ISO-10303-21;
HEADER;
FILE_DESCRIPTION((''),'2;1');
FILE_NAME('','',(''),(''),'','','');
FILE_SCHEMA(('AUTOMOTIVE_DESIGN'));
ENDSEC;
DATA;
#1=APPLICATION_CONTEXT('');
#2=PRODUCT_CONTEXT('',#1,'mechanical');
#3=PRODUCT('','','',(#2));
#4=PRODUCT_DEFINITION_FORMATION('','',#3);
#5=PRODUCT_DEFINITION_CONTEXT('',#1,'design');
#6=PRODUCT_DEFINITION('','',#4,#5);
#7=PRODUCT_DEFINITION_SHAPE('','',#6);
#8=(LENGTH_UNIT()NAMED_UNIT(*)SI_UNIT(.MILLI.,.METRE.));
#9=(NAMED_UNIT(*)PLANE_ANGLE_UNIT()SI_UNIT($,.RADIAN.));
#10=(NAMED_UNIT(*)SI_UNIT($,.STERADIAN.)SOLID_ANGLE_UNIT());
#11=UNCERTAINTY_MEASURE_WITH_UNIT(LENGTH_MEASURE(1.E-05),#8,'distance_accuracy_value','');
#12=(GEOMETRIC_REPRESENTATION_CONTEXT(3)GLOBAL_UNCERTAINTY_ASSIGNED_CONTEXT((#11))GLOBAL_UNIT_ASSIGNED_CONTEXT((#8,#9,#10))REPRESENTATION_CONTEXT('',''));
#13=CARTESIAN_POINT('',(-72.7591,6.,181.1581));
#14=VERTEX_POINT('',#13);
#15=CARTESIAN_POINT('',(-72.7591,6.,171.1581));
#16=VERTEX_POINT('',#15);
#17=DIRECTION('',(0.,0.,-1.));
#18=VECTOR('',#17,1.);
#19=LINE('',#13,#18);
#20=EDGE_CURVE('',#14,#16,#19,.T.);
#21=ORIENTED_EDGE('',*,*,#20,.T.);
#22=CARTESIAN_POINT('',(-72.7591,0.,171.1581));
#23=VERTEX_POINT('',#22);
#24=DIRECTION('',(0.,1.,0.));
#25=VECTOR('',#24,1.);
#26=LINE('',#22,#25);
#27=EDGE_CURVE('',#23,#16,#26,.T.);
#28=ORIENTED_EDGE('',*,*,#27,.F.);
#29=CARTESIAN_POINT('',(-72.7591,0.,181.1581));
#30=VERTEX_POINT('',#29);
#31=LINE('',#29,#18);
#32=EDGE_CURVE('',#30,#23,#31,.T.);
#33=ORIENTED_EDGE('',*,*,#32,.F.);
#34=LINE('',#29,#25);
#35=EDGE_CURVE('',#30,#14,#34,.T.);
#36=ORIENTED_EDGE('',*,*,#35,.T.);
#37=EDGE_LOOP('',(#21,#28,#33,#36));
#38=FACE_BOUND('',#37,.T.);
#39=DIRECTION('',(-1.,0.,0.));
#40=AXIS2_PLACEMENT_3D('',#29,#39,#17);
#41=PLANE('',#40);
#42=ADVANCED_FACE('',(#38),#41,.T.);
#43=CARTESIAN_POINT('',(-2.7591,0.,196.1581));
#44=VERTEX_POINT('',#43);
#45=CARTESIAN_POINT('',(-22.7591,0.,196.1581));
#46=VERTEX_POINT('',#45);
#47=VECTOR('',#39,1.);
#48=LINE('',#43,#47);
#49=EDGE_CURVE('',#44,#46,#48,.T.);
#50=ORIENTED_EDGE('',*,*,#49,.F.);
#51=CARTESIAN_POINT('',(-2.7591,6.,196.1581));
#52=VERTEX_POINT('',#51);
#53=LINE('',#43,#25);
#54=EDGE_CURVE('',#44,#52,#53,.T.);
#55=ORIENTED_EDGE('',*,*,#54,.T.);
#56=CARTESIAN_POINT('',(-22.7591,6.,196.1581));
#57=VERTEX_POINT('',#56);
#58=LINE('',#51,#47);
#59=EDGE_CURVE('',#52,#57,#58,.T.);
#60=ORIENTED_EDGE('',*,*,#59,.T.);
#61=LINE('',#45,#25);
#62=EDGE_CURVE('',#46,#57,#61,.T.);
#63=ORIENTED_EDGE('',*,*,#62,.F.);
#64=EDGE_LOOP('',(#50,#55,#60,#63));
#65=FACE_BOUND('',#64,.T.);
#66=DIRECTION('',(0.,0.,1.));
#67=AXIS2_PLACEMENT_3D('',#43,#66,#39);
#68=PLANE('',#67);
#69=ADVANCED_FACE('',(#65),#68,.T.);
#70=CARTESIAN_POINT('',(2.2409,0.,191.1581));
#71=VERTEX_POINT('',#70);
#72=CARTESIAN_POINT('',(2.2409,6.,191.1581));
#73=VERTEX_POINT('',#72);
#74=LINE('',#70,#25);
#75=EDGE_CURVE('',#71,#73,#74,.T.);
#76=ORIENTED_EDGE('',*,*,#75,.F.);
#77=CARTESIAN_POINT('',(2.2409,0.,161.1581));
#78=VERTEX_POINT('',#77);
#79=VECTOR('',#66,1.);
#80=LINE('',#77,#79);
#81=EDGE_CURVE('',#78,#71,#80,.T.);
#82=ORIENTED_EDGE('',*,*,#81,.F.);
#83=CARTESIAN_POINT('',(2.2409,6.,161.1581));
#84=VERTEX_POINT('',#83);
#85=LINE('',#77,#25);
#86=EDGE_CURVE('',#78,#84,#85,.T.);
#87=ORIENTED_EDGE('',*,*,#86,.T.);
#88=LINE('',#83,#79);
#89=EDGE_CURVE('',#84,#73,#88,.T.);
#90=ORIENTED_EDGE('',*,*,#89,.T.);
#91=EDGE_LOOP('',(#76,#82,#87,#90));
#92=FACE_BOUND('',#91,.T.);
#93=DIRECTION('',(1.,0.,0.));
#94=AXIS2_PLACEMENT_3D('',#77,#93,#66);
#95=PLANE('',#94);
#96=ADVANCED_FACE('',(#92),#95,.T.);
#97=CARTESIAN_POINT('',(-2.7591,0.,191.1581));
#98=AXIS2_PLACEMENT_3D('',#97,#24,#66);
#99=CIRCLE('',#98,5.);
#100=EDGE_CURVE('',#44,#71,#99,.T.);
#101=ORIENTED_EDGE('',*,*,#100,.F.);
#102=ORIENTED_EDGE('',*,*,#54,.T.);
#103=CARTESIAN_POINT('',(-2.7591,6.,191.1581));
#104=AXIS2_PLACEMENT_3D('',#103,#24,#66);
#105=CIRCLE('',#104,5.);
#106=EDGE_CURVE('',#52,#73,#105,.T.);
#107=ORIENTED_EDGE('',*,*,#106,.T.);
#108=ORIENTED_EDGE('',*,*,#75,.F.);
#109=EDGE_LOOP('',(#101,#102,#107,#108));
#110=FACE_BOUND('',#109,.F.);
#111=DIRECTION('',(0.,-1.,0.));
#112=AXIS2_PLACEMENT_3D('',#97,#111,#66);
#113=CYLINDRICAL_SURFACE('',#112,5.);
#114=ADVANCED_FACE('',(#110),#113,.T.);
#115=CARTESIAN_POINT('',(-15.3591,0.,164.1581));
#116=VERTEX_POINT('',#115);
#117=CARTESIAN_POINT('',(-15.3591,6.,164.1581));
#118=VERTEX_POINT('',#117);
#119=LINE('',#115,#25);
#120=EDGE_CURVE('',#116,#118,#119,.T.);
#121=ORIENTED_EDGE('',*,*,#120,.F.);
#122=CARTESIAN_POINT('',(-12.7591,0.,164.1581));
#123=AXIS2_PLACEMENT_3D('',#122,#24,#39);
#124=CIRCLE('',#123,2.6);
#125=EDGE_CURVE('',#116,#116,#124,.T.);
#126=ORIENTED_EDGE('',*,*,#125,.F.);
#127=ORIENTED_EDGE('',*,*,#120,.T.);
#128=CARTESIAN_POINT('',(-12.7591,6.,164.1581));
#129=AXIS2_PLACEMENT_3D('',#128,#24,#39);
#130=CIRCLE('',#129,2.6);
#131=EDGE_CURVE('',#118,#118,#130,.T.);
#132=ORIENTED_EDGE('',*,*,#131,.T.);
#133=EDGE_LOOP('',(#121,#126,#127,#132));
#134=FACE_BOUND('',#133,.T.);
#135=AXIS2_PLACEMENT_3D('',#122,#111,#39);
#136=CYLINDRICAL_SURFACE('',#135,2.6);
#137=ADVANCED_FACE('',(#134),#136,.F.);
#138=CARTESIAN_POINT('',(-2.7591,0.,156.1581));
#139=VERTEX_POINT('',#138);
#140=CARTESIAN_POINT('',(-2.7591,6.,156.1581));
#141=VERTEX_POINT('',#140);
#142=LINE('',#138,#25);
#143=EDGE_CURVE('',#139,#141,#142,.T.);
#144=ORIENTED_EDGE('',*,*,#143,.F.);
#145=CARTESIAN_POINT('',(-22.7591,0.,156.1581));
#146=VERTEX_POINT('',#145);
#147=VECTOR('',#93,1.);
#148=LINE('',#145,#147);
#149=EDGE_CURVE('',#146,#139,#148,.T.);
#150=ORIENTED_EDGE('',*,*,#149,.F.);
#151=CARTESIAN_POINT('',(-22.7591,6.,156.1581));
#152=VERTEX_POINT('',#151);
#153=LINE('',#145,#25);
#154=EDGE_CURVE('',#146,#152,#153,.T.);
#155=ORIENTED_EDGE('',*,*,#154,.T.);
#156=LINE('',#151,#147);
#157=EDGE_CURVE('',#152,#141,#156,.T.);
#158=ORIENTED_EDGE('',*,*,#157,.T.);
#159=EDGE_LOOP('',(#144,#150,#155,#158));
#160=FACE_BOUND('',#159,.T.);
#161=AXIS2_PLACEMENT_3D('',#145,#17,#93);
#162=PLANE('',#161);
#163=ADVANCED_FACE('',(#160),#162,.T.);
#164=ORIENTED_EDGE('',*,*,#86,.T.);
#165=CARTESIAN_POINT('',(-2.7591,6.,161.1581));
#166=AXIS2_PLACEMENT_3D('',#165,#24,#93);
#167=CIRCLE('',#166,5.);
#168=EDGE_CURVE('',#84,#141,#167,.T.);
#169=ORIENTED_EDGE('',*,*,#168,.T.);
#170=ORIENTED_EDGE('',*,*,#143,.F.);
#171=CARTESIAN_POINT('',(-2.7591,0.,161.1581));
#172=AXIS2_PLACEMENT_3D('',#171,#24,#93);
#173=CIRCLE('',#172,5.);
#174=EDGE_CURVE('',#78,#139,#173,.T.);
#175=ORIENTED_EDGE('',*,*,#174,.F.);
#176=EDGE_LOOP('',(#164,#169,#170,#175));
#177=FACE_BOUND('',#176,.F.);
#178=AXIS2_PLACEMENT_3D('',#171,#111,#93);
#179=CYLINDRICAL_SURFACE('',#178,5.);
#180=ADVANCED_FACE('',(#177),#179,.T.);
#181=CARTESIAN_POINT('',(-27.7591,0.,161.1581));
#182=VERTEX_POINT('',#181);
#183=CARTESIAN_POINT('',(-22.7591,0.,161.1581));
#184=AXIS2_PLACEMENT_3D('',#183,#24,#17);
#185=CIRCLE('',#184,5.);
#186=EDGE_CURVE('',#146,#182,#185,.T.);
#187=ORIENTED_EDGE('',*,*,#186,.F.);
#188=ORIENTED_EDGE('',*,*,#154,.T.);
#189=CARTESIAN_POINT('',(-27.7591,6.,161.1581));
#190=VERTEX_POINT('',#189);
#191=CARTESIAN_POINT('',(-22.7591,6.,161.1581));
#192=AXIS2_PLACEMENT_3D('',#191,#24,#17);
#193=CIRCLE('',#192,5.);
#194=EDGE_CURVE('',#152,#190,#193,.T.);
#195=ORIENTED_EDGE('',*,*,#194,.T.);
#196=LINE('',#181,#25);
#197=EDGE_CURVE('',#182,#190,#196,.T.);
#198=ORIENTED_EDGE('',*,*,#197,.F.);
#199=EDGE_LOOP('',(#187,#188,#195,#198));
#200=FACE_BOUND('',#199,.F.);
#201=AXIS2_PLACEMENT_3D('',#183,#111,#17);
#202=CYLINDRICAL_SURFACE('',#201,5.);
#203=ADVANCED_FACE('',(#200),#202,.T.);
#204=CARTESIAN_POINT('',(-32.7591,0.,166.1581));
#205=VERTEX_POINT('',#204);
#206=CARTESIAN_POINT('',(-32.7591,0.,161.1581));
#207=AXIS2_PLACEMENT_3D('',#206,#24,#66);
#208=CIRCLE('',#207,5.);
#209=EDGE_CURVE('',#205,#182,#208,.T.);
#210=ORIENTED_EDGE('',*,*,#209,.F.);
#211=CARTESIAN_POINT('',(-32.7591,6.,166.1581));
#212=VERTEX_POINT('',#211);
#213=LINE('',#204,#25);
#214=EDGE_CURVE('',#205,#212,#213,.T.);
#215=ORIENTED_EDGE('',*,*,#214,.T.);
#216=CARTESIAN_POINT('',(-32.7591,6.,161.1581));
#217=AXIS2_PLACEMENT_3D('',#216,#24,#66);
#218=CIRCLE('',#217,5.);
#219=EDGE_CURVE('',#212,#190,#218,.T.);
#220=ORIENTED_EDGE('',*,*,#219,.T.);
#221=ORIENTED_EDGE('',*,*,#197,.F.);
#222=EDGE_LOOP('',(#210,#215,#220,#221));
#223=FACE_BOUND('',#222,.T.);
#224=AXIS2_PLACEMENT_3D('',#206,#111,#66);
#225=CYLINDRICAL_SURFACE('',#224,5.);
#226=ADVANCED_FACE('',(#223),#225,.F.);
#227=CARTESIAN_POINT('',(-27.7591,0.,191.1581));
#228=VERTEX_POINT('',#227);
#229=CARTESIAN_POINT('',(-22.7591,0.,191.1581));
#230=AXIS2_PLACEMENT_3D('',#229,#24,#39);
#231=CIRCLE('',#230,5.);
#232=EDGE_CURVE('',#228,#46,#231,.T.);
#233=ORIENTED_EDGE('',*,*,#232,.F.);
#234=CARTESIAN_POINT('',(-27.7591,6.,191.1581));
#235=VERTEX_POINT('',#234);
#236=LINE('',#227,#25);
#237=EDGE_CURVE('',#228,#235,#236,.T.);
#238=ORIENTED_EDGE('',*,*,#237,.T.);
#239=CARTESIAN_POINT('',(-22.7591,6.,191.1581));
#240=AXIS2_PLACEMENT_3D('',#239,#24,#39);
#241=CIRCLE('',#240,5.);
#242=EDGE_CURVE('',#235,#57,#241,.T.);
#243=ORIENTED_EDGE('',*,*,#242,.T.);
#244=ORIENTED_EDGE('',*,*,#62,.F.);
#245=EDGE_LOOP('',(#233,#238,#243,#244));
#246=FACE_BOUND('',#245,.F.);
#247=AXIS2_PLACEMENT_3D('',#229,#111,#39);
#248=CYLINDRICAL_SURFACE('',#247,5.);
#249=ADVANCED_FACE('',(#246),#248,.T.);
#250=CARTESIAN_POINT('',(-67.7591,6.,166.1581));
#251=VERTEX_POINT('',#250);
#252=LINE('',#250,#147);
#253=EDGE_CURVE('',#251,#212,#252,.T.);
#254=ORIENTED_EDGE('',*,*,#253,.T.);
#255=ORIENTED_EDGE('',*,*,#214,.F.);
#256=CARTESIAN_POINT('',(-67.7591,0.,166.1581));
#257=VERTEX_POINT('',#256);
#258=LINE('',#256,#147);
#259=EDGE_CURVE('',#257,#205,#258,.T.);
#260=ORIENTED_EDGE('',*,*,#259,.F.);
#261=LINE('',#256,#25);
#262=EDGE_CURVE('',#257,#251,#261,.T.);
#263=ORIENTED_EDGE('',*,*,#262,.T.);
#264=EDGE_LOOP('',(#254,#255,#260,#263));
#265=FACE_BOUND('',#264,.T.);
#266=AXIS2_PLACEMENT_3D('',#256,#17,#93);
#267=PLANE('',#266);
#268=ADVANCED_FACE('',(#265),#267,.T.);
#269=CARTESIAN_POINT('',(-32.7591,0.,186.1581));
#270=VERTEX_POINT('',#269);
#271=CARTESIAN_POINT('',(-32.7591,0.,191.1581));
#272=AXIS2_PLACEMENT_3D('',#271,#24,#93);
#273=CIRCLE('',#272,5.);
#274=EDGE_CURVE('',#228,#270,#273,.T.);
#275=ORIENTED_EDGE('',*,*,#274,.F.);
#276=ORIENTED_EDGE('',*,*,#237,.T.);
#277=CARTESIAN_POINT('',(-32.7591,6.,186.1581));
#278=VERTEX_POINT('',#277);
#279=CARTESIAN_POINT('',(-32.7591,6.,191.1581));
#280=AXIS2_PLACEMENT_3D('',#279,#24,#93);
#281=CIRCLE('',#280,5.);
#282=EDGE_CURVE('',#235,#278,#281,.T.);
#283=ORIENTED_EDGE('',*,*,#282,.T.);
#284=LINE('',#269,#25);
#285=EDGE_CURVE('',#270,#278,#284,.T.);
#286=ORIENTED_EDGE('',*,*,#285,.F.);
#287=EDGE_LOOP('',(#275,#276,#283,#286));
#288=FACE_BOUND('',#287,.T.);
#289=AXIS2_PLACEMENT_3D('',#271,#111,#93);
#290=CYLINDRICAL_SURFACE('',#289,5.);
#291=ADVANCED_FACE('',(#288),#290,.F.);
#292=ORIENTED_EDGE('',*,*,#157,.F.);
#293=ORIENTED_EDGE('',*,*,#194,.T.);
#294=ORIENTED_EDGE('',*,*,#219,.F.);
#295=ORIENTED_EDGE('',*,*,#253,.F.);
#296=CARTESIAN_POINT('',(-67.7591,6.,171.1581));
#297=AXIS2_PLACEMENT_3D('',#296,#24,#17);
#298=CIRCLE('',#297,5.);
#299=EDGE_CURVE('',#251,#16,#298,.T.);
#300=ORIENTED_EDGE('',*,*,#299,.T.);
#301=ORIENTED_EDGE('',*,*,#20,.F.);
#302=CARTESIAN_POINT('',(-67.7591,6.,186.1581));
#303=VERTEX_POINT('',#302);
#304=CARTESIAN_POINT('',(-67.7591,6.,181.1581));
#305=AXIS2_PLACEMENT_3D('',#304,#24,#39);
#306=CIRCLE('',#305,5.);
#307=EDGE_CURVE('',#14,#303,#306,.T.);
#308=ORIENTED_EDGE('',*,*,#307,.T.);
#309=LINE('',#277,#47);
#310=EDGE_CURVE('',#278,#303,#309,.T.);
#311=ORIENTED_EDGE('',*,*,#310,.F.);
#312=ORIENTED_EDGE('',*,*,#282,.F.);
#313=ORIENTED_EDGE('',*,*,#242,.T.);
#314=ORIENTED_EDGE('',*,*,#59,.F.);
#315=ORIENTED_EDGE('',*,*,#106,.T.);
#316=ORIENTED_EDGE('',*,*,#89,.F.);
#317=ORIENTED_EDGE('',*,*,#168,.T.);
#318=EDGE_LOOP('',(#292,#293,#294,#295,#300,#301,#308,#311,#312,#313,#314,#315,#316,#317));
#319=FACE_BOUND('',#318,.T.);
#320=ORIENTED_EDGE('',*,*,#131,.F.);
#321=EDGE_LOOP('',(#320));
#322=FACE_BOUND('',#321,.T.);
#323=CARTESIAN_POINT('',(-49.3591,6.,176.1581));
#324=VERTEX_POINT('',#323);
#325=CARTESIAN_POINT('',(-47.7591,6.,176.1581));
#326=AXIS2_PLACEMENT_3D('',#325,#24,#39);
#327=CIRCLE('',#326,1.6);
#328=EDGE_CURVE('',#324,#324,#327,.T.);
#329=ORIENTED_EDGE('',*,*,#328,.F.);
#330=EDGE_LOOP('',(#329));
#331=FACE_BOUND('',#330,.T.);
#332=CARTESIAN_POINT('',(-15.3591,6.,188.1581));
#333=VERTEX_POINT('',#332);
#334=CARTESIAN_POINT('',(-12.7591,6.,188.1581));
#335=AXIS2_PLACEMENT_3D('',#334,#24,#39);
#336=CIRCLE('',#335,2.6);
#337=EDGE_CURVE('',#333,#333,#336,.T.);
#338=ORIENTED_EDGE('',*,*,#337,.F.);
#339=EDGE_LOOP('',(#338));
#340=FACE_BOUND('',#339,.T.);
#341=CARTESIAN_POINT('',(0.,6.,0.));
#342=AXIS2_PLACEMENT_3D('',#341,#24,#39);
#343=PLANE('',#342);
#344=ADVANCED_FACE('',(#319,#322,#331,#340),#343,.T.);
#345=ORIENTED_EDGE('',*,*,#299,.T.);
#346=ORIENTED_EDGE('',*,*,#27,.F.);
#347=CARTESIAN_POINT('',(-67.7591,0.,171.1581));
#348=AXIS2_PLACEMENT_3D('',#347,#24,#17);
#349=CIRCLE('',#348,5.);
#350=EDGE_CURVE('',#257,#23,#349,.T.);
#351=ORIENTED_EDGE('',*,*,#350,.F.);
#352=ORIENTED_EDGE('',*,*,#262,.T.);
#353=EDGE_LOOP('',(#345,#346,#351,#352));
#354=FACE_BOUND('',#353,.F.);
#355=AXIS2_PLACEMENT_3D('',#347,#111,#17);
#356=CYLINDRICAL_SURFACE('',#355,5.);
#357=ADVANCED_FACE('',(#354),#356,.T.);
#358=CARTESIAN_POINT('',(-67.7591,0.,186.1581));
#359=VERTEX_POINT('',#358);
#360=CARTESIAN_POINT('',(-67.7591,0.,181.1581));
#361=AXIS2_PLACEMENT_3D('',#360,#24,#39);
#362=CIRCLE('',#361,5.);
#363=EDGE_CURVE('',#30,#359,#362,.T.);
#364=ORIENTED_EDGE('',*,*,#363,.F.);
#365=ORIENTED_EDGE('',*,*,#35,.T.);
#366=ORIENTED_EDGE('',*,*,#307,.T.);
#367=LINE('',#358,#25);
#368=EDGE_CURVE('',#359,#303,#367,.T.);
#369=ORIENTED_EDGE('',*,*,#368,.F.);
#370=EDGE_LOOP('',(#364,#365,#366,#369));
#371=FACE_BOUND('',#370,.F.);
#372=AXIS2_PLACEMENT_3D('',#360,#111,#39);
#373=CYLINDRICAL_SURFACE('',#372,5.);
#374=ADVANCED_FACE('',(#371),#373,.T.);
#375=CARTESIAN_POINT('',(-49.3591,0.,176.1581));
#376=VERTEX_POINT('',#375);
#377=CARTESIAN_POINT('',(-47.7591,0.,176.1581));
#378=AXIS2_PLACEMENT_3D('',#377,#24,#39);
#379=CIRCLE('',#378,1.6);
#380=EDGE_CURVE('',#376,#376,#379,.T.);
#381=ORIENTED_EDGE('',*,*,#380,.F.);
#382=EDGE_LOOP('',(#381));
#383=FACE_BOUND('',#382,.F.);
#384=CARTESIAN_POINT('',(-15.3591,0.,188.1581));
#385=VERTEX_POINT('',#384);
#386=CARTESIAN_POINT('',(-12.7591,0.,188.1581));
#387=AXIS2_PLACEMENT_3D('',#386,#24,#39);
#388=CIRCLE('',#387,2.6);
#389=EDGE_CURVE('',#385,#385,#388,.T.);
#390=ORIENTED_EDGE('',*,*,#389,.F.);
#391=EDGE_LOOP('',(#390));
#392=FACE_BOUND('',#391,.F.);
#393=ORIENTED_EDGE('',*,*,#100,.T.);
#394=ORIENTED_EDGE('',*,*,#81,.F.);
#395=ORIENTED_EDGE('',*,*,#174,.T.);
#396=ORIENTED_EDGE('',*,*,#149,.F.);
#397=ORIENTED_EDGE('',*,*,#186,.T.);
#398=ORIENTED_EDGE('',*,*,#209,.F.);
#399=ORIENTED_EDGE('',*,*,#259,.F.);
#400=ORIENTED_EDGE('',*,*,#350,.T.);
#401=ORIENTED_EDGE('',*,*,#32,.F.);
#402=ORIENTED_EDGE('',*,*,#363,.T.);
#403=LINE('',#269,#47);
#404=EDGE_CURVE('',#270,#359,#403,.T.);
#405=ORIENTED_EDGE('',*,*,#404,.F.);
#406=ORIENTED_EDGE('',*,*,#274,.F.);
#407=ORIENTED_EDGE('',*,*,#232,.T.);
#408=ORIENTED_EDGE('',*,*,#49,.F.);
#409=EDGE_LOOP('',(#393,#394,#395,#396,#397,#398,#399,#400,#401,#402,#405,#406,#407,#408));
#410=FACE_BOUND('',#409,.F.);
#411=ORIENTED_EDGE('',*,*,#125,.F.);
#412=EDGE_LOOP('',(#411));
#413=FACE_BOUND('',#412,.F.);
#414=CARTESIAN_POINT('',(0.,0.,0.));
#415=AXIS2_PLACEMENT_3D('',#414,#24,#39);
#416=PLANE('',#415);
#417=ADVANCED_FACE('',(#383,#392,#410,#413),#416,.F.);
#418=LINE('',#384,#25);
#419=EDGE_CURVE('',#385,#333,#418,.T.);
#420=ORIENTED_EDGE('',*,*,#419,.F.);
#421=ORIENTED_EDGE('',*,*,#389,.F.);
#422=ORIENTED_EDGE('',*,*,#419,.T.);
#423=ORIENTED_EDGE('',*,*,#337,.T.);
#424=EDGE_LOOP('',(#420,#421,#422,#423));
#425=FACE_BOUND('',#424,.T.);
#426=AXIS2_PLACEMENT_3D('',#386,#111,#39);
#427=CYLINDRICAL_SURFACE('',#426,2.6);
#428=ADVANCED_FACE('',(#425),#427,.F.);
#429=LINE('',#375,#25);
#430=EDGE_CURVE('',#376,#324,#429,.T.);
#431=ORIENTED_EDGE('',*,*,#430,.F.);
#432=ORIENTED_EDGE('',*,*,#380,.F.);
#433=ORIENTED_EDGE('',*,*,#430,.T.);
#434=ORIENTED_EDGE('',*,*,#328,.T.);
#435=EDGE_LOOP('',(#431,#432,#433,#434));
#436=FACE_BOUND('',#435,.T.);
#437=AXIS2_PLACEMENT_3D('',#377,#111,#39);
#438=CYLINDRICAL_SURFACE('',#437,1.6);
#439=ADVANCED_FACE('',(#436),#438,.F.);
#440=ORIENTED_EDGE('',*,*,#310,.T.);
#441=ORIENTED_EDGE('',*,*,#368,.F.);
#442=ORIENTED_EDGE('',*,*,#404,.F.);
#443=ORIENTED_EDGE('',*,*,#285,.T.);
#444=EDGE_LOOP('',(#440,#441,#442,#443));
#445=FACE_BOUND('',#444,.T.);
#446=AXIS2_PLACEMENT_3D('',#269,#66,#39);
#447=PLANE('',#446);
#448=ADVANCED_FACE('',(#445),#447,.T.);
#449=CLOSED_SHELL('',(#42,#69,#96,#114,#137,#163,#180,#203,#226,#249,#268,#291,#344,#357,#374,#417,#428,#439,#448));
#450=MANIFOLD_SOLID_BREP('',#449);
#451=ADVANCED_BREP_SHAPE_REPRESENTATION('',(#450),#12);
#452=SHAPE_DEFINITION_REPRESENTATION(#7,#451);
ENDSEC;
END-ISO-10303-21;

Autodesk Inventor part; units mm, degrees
ref_plane "YZ Plane" through (0, 0, 0) normal (1, 0, 0) x (0, 1, 0)
ref_plane "XZ Plane" through (0, 0, 0) normal (0, 1, 0) x (-1, 0, 0)
ref_plane "XY Plane" through (0, 0, 0) normal (0, 0, 1) x (1, 0, 0)
sketch "Sketch1" plane through (0, 0, 0) normal (0, 1, 0) x (-1, 0, 0)
  line L0 (32.7591, 186.1581) -> (67.7591, 186.1581)
  arc A0 (72.7591, 181.1581) -> (67.7591, 186.1581) centre (67.7591, 181.1581) ccw
  line L1 (72.7591, 181.1581) -> (72.7591, 171.1581)
  arc A1 (67.7591, 166.1581) -> (72.7591, 171.1581) centre (67.7591, 171.1581) ccw
  line L2 (67.7591, 166.1581) -> (32.7591, 166.1581)
  arc A2 (32.7591, 166.1581) -> (27.7591, 161.1581) centre (32.7591, 161.1581) ccw
  arc A3 (22.7591, 156.1581) -> (27.7591, 161.1581) centre (22.7591, 161.1581) ccw
  line L3 (22.7591, 156.1581) -> (2.7591, 156.1581)
  arc A4 (-2.2409, 161.1581) -> (2.7591, 156.1581) centre (2.7591, 161.1581) ccw
  line L4 (-2.2409, 161.1581) -> (-2.2409, 191.1581)
  arc A5 (2.7591, 196.1581) -> (-2.2409, 191.1581) centre (2.7591, 191.1581) ccw
  line L5 (2.7591, 196.1581) -> (22.7591, 196.1581)
  arc A6 (27.7591, 191.1581) -> (22.7591, 196.1581) centre (22.7591, 191.1581) ccw
  arc A7 (27.7591, 191.1581) -> (32.7591, 186.1581) centre (32.7591, 191.1581) ccw
  circle A8 centre (12.7591, 188.1581) radius 2.6
  circle A9 centre (12.7591, 164.1581) radius 2.6
  circle A10 centre (47.7591, 176.1581) radius 1.6
  point P0 (0, 0)
extrude "Extrusion1" add sketch "Sketch1" along normal blind 6
properties part number "LCD-Plate"
